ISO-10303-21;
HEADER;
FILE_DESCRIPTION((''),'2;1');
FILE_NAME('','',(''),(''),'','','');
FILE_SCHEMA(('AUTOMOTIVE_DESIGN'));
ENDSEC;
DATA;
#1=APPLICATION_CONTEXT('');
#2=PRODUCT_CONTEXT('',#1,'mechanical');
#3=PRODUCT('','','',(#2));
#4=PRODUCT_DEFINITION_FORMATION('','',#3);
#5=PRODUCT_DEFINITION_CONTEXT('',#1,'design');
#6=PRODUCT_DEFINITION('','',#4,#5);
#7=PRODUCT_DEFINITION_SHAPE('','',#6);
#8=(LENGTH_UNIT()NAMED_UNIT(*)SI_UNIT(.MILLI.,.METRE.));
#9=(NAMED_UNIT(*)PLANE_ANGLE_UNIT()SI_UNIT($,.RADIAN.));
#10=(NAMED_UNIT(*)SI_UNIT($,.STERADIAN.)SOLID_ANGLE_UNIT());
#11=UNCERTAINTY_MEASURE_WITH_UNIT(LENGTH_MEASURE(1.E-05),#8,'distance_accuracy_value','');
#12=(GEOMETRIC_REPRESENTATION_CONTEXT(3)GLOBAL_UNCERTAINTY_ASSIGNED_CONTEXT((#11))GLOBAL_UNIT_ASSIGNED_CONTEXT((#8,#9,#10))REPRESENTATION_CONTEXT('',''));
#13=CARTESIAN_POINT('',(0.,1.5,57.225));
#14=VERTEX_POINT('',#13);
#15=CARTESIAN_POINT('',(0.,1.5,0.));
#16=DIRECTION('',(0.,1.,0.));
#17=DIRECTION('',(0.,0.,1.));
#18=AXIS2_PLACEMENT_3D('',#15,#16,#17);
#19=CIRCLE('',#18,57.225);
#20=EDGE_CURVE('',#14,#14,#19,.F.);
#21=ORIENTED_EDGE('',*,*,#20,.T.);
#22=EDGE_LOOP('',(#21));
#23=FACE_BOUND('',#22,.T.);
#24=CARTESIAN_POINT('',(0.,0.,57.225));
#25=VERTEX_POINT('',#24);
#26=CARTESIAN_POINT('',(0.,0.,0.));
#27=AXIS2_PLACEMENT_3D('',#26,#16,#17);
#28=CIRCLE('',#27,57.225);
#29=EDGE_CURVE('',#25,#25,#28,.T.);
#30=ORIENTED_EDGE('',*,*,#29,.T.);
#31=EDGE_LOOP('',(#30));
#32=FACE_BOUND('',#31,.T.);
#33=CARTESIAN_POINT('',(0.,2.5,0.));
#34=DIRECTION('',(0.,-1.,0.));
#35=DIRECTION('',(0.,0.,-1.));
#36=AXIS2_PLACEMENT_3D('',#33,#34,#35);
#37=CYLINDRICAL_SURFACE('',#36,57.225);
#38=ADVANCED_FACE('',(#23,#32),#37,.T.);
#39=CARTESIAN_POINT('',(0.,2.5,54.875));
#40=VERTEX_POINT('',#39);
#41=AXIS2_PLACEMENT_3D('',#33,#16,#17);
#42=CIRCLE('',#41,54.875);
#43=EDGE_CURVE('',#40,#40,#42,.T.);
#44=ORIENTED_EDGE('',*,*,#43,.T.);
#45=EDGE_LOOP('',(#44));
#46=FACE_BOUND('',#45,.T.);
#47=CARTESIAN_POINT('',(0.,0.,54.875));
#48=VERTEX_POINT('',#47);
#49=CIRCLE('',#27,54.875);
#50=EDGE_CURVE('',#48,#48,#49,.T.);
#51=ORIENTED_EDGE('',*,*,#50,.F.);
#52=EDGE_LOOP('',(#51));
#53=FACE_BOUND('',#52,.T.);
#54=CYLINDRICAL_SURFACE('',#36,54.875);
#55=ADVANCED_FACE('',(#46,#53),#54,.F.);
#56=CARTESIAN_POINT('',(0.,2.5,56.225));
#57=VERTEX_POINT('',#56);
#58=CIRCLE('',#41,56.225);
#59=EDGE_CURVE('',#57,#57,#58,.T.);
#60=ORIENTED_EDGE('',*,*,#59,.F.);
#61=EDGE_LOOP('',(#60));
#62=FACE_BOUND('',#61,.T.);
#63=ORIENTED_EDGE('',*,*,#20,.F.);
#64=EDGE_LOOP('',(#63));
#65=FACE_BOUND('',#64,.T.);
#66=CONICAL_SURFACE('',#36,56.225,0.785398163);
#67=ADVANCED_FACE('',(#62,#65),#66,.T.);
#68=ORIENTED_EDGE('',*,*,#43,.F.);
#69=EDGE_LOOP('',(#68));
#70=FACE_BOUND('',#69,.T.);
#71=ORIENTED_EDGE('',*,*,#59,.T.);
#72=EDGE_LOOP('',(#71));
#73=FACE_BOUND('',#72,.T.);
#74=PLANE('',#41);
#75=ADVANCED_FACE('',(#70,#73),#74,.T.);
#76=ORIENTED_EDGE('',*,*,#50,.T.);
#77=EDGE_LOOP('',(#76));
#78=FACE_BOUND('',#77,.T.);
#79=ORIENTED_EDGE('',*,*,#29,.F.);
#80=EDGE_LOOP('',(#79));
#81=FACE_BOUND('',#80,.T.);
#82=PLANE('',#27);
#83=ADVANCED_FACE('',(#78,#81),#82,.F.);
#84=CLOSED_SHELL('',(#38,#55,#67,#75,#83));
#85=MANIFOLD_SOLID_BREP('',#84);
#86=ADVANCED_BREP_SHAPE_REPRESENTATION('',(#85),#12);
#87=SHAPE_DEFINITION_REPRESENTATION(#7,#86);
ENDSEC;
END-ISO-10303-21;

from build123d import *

# Parameters (mm, degrees)
SKETCH1_R           = 57.225
SKETCH1_R_2         = 54.875
BOSS_EXTRUDE1_DEPTH = 2.5
CHAMFER1_SIZE       = 1


with BuildPart() as part:
    # Sketch1 → Boss-Extrude1 (new body)
    with BuildSketch(Plane(origin=(0, 0, 0), x_dir=(1, 0, 0), z_dir=(0, 1, 0))):
        with Locations(Location((0, 0, 0), (0, 0, 270))):
            Circle(SKETCH1_R)
        with Locations(Location((0, 0, 0), (0, 0, 270))):
            Circle(SKETCH1_R_2, mode=Mode.SUBTRACT)
    extrude(amount=BOSS_EXTRUDE1_DEPTH)

    # Chamfer1
    chamfer1_edges = [part.edges().sort_by_distance(p)[0] for p in [
        (0, 2.5, -57.225),
    ]]
    chamfer(chamfer1_edges, length=CHAMFER1_SIZE)


solid = part.part
